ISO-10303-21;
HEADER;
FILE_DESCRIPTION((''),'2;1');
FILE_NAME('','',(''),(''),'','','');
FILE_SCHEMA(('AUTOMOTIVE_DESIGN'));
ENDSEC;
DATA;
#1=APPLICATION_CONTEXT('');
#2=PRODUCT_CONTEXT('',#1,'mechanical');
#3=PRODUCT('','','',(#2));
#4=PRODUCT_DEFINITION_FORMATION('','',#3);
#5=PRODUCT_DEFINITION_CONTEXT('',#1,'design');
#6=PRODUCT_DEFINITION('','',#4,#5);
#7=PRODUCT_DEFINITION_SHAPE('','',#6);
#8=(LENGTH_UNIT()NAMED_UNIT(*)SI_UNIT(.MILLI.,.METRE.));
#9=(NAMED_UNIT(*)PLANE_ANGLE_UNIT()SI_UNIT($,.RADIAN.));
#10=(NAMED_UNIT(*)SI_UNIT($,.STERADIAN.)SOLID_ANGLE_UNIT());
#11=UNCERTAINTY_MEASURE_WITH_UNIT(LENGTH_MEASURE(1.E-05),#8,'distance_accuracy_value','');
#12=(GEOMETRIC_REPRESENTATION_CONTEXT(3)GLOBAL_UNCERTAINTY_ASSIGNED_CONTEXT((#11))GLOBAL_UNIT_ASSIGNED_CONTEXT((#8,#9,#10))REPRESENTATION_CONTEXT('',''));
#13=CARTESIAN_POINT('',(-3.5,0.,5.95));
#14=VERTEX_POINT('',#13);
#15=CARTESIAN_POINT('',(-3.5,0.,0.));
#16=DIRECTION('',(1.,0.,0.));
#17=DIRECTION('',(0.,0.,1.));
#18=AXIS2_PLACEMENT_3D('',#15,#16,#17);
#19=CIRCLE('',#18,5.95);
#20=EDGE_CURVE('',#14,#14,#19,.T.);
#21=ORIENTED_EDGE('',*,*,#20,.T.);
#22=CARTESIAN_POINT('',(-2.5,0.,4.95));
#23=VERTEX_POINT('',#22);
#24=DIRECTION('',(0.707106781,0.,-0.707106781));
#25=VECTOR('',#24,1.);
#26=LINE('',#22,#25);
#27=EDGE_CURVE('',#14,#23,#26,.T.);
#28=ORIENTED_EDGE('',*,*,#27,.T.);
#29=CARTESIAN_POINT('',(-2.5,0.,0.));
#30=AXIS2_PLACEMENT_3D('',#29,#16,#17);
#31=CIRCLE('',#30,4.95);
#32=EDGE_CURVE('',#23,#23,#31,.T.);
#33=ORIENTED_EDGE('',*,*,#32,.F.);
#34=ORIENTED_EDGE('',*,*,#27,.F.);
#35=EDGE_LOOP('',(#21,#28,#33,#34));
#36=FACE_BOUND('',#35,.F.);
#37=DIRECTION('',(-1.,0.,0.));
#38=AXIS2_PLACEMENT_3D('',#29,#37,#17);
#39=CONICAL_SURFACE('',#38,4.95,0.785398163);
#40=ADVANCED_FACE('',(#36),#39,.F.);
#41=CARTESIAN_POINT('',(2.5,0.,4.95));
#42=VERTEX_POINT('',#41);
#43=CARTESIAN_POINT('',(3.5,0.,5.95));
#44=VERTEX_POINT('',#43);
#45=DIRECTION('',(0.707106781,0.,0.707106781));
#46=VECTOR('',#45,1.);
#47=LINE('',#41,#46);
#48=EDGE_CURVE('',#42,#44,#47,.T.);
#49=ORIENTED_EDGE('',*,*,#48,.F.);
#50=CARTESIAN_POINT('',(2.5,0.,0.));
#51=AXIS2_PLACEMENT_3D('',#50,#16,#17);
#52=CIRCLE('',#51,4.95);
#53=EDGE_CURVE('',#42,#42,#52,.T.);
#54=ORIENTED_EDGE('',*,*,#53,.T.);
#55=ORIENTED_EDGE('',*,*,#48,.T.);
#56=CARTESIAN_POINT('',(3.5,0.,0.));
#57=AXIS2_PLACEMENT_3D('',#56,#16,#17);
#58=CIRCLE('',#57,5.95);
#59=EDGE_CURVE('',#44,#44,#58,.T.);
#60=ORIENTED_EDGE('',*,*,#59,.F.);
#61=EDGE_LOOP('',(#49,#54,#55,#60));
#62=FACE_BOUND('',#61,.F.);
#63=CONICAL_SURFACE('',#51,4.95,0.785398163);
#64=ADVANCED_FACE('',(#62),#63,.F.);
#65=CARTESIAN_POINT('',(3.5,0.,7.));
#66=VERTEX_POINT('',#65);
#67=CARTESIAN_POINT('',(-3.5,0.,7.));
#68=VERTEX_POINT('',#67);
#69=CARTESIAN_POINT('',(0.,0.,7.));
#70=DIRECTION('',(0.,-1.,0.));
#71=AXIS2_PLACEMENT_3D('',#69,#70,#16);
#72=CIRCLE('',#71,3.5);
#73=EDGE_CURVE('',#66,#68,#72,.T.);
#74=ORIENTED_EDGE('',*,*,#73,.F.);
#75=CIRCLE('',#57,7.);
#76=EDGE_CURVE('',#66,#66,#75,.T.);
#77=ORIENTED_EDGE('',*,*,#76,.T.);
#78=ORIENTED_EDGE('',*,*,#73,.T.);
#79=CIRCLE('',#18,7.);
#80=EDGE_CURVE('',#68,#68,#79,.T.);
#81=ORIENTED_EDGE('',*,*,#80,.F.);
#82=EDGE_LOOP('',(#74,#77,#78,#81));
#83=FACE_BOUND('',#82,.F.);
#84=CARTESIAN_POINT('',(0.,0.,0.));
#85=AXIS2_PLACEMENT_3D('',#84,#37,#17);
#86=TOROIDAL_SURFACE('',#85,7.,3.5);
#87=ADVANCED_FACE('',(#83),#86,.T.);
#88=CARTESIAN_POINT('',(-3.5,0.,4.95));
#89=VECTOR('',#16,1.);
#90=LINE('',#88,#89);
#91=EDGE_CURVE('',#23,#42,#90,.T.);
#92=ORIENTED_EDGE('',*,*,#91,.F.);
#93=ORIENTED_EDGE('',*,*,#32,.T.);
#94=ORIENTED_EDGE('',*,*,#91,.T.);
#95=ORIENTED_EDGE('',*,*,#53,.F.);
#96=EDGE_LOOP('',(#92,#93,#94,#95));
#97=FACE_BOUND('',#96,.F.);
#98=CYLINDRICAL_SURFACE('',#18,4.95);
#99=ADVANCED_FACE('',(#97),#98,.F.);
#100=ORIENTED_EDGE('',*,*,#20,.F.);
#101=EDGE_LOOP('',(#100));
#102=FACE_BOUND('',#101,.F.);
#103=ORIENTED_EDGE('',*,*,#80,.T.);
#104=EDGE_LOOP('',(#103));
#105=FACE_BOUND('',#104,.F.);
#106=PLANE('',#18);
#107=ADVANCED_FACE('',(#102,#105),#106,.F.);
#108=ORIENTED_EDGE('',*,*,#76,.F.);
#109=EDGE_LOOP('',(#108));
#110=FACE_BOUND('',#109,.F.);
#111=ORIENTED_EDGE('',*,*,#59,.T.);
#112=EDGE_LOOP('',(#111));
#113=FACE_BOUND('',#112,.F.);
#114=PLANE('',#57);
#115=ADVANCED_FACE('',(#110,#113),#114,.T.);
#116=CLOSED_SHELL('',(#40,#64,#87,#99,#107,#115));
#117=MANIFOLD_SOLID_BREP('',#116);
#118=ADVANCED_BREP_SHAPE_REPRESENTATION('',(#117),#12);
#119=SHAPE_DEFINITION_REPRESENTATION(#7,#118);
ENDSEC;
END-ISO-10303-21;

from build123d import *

# Parameters (mm, degrees)
F2_SIZE = 1


with BuildPart() as f1:
    # F0 (on Front) → F1 (revolve)
    with BuildSketch(Plane.XZ):
        with BuildLine():
            Line((-3.5, 7), (-3.5, 4.95))
            Line((-3.5, 4.95), (3.5, 4.95))
            Line((3.5, 4.95), (3.5, 7))
            ThreePointArc((3.5, 7), (0, 10.5), (-3.5, 7))
        make_face()
    revolve(axis=Axis((0, 0, 0), (1, 0, 0)))

    # F2
    f2_edges = [f1.edges().sort_by_distance(p)[0] for p in [
        (3.5, 0, -4.95),
        (-3.5, 0, -4.95),
    ]]
    chamfer(f2_edges, length=F2_SIZE)


solid = f1.part
